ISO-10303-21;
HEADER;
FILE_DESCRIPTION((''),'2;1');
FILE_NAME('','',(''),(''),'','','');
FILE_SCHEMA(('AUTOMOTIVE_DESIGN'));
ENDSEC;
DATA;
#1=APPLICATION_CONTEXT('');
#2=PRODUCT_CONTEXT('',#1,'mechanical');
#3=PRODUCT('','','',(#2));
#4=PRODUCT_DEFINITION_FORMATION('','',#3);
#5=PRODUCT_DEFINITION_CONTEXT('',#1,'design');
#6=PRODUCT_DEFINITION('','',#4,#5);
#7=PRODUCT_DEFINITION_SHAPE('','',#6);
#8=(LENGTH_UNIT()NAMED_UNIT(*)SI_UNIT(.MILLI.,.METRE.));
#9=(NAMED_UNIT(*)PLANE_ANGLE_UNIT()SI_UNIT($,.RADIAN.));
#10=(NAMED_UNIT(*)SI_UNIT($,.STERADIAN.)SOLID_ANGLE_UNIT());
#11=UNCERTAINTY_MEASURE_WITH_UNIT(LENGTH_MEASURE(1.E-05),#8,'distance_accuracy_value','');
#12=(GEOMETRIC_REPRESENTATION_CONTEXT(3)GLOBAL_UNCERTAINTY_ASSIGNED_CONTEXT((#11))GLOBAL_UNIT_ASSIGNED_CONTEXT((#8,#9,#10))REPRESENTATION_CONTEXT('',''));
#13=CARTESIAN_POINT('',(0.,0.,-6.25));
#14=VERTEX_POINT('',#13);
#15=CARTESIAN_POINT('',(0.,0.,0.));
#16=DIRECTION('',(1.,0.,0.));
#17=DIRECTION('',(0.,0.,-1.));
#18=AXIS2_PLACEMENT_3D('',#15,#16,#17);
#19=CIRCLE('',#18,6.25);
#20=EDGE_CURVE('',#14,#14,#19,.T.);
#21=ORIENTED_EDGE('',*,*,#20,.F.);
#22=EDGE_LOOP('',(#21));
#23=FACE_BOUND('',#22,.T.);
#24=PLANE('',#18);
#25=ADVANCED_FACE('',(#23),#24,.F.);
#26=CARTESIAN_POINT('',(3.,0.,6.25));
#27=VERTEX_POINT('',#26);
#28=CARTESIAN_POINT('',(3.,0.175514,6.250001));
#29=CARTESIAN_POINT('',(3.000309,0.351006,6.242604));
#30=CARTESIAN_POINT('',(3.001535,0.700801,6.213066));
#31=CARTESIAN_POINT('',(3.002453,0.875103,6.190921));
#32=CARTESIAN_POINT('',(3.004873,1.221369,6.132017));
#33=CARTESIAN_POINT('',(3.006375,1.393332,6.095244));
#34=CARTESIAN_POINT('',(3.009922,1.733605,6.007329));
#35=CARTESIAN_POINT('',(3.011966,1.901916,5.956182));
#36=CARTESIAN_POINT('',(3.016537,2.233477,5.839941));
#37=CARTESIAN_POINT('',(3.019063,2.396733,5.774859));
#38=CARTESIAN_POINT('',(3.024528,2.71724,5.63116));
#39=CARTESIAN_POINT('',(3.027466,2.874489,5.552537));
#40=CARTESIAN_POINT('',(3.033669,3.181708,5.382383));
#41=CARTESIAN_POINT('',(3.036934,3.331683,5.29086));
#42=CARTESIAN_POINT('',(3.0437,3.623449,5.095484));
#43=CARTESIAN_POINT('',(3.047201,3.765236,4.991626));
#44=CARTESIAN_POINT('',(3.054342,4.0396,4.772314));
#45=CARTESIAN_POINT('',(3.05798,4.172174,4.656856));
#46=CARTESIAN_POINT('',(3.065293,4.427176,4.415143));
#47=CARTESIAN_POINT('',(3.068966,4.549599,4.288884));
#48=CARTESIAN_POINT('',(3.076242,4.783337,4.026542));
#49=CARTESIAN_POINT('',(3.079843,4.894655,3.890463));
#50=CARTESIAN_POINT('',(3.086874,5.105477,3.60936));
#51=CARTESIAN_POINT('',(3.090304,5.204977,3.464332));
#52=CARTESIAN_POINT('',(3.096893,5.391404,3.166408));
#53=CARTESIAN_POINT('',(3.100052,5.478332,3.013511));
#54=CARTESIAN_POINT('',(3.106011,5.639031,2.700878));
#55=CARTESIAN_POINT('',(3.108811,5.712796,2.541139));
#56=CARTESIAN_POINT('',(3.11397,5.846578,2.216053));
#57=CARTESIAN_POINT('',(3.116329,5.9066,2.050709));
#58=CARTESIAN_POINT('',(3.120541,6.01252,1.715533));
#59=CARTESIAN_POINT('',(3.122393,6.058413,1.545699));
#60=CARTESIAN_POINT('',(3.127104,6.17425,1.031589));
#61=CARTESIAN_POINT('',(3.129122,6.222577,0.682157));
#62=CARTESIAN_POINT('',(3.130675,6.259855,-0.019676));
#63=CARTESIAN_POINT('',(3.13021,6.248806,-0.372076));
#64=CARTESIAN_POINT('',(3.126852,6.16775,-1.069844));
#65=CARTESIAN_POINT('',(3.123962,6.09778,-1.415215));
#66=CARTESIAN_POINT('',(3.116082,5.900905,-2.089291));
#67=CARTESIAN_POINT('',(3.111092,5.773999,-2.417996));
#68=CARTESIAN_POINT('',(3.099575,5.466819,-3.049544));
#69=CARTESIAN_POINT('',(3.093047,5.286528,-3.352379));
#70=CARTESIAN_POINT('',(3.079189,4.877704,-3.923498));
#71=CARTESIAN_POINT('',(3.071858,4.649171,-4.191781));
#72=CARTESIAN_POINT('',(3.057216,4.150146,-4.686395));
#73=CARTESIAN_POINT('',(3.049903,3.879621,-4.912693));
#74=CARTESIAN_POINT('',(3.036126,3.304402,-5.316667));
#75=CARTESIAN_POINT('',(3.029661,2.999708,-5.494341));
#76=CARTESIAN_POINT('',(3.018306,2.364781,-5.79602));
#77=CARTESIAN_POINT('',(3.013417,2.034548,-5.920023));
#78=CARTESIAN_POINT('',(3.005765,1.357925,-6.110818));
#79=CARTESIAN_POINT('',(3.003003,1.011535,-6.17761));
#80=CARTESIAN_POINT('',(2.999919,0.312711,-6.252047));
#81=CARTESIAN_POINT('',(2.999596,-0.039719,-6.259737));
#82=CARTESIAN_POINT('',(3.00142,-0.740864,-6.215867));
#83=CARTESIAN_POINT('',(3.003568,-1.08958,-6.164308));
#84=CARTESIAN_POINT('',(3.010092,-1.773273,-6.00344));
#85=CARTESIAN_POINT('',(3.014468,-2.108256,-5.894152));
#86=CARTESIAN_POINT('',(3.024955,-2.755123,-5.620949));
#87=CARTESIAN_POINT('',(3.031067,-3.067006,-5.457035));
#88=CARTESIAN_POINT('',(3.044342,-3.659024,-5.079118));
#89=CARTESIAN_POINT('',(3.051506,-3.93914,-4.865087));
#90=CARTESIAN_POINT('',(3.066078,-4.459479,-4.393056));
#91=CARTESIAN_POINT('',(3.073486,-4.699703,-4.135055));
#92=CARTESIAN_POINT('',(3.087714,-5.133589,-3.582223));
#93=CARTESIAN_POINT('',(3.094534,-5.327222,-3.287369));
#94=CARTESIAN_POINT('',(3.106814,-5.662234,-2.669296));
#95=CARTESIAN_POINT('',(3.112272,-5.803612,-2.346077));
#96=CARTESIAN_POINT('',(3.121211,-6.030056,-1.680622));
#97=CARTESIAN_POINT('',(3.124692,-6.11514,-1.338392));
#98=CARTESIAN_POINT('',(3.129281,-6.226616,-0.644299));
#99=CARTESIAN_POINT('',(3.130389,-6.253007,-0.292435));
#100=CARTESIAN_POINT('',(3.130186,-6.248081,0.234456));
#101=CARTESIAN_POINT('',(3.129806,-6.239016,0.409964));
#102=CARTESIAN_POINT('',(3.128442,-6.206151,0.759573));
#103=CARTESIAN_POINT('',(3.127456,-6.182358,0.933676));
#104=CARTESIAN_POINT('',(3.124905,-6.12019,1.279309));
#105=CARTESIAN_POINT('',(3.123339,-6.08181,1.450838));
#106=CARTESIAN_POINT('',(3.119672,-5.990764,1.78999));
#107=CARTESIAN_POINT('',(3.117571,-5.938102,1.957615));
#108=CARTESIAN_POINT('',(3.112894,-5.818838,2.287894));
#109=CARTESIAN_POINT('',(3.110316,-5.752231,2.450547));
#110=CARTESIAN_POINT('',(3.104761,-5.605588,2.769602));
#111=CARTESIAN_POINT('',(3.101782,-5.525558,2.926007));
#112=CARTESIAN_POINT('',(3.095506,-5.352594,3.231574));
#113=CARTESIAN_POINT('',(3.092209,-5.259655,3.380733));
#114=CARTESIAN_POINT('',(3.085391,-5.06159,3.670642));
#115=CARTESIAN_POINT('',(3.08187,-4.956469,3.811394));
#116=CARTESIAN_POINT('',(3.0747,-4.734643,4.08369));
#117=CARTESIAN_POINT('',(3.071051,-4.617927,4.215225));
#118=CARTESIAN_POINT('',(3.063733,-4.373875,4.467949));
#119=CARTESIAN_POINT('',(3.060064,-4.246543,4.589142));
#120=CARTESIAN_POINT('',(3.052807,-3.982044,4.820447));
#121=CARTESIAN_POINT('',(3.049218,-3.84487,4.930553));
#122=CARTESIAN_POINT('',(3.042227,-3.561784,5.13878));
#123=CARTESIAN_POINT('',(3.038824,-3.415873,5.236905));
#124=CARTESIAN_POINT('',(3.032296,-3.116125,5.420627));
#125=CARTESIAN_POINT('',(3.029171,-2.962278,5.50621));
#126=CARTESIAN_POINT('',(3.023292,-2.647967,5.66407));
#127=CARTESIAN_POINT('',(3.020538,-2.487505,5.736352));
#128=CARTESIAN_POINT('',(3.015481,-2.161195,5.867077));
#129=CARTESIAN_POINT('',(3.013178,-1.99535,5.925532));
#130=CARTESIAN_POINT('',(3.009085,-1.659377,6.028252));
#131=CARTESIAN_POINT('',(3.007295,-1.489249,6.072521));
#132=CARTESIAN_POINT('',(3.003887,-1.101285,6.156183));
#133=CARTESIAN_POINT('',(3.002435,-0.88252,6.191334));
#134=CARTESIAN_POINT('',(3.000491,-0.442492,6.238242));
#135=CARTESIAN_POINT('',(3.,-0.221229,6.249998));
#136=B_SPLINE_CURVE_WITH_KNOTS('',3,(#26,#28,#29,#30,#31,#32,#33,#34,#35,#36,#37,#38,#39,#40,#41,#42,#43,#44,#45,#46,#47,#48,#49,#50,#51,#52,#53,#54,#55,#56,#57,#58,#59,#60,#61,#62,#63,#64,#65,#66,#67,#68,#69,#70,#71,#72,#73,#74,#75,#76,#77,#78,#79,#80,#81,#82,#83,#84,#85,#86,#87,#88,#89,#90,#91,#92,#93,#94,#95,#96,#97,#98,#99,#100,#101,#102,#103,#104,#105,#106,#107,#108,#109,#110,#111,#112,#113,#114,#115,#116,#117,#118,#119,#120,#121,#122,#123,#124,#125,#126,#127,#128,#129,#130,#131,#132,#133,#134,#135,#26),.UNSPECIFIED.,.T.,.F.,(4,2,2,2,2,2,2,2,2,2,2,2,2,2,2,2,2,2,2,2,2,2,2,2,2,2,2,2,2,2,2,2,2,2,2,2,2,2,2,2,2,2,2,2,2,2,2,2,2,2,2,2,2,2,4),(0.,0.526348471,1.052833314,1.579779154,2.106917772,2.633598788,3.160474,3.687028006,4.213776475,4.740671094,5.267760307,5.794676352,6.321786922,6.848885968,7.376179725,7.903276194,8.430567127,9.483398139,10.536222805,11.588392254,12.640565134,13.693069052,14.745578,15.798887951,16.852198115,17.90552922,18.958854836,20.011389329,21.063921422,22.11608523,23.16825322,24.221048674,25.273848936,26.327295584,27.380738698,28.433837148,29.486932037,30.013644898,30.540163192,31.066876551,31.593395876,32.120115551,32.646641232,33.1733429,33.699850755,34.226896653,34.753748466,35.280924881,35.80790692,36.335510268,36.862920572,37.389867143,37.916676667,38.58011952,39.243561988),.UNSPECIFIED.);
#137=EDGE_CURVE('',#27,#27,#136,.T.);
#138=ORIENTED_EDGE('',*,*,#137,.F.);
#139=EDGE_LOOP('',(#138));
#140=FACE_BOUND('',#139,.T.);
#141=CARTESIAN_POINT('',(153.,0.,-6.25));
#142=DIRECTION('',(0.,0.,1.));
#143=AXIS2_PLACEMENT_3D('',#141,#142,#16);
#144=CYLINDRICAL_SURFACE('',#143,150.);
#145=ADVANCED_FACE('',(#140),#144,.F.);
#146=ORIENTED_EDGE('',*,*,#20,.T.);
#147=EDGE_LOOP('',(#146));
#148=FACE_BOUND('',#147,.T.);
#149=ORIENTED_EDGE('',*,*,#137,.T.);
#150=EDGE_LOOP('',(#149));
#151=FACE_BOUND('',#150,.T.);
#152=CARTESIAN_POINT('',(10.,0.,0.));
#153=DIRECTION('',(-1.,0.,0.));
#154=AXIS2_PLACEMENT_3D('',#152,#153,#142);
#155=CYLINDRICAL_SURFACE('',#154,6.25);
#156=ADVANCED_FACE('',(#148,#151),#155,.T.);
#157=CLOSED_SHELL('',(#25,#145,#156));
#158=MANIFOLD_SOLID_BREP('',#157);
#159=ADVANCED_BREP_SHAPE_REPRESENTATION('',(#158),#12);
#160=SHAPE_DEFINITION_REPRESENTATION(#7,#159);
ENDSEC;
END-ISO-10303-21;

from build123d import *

# Parameters (mm, degrees)
SKETCH_1_R               = 6.25
EXTRUDE_1_DEPTH          = 10
SKETCH_2_R               = 150
CUT_EXTRUDE_1_DEPTH      = 7.25
CUT_EXTRUDE_1_DEPTH_BACK = 7.25


with BuildPart() as part:
    # 草图1 → 凸台-拉伸1 (new body)
    with BuildSketch(Plane(origin=(0, 0, 0), x_dir=(0, 0, -1), z_dir=(1, 0, 0))):
        Circle(SKETCH_1_R)
    extrude(amount=EXTRUDE_1_DEPTH)

    # 草图2 → 切除-拉伸1 (cut, two sides)
    with BuildSketch(Plane.XY) as cut_extrude_1_sk:
        with Locations((153, 0)):
            Circle(SKETCH_2_R)
    extrude(amount=CUT_EXTRUDE_1_DEPTH, mode=Mode.SUBTRACT)
    extrude(cut_extrude_1_sk.sketch, amount=-CUT_EXTRUDE_1_DEPTH_BACK, mode=Mode.SUBTRACT)


solid = part.part
